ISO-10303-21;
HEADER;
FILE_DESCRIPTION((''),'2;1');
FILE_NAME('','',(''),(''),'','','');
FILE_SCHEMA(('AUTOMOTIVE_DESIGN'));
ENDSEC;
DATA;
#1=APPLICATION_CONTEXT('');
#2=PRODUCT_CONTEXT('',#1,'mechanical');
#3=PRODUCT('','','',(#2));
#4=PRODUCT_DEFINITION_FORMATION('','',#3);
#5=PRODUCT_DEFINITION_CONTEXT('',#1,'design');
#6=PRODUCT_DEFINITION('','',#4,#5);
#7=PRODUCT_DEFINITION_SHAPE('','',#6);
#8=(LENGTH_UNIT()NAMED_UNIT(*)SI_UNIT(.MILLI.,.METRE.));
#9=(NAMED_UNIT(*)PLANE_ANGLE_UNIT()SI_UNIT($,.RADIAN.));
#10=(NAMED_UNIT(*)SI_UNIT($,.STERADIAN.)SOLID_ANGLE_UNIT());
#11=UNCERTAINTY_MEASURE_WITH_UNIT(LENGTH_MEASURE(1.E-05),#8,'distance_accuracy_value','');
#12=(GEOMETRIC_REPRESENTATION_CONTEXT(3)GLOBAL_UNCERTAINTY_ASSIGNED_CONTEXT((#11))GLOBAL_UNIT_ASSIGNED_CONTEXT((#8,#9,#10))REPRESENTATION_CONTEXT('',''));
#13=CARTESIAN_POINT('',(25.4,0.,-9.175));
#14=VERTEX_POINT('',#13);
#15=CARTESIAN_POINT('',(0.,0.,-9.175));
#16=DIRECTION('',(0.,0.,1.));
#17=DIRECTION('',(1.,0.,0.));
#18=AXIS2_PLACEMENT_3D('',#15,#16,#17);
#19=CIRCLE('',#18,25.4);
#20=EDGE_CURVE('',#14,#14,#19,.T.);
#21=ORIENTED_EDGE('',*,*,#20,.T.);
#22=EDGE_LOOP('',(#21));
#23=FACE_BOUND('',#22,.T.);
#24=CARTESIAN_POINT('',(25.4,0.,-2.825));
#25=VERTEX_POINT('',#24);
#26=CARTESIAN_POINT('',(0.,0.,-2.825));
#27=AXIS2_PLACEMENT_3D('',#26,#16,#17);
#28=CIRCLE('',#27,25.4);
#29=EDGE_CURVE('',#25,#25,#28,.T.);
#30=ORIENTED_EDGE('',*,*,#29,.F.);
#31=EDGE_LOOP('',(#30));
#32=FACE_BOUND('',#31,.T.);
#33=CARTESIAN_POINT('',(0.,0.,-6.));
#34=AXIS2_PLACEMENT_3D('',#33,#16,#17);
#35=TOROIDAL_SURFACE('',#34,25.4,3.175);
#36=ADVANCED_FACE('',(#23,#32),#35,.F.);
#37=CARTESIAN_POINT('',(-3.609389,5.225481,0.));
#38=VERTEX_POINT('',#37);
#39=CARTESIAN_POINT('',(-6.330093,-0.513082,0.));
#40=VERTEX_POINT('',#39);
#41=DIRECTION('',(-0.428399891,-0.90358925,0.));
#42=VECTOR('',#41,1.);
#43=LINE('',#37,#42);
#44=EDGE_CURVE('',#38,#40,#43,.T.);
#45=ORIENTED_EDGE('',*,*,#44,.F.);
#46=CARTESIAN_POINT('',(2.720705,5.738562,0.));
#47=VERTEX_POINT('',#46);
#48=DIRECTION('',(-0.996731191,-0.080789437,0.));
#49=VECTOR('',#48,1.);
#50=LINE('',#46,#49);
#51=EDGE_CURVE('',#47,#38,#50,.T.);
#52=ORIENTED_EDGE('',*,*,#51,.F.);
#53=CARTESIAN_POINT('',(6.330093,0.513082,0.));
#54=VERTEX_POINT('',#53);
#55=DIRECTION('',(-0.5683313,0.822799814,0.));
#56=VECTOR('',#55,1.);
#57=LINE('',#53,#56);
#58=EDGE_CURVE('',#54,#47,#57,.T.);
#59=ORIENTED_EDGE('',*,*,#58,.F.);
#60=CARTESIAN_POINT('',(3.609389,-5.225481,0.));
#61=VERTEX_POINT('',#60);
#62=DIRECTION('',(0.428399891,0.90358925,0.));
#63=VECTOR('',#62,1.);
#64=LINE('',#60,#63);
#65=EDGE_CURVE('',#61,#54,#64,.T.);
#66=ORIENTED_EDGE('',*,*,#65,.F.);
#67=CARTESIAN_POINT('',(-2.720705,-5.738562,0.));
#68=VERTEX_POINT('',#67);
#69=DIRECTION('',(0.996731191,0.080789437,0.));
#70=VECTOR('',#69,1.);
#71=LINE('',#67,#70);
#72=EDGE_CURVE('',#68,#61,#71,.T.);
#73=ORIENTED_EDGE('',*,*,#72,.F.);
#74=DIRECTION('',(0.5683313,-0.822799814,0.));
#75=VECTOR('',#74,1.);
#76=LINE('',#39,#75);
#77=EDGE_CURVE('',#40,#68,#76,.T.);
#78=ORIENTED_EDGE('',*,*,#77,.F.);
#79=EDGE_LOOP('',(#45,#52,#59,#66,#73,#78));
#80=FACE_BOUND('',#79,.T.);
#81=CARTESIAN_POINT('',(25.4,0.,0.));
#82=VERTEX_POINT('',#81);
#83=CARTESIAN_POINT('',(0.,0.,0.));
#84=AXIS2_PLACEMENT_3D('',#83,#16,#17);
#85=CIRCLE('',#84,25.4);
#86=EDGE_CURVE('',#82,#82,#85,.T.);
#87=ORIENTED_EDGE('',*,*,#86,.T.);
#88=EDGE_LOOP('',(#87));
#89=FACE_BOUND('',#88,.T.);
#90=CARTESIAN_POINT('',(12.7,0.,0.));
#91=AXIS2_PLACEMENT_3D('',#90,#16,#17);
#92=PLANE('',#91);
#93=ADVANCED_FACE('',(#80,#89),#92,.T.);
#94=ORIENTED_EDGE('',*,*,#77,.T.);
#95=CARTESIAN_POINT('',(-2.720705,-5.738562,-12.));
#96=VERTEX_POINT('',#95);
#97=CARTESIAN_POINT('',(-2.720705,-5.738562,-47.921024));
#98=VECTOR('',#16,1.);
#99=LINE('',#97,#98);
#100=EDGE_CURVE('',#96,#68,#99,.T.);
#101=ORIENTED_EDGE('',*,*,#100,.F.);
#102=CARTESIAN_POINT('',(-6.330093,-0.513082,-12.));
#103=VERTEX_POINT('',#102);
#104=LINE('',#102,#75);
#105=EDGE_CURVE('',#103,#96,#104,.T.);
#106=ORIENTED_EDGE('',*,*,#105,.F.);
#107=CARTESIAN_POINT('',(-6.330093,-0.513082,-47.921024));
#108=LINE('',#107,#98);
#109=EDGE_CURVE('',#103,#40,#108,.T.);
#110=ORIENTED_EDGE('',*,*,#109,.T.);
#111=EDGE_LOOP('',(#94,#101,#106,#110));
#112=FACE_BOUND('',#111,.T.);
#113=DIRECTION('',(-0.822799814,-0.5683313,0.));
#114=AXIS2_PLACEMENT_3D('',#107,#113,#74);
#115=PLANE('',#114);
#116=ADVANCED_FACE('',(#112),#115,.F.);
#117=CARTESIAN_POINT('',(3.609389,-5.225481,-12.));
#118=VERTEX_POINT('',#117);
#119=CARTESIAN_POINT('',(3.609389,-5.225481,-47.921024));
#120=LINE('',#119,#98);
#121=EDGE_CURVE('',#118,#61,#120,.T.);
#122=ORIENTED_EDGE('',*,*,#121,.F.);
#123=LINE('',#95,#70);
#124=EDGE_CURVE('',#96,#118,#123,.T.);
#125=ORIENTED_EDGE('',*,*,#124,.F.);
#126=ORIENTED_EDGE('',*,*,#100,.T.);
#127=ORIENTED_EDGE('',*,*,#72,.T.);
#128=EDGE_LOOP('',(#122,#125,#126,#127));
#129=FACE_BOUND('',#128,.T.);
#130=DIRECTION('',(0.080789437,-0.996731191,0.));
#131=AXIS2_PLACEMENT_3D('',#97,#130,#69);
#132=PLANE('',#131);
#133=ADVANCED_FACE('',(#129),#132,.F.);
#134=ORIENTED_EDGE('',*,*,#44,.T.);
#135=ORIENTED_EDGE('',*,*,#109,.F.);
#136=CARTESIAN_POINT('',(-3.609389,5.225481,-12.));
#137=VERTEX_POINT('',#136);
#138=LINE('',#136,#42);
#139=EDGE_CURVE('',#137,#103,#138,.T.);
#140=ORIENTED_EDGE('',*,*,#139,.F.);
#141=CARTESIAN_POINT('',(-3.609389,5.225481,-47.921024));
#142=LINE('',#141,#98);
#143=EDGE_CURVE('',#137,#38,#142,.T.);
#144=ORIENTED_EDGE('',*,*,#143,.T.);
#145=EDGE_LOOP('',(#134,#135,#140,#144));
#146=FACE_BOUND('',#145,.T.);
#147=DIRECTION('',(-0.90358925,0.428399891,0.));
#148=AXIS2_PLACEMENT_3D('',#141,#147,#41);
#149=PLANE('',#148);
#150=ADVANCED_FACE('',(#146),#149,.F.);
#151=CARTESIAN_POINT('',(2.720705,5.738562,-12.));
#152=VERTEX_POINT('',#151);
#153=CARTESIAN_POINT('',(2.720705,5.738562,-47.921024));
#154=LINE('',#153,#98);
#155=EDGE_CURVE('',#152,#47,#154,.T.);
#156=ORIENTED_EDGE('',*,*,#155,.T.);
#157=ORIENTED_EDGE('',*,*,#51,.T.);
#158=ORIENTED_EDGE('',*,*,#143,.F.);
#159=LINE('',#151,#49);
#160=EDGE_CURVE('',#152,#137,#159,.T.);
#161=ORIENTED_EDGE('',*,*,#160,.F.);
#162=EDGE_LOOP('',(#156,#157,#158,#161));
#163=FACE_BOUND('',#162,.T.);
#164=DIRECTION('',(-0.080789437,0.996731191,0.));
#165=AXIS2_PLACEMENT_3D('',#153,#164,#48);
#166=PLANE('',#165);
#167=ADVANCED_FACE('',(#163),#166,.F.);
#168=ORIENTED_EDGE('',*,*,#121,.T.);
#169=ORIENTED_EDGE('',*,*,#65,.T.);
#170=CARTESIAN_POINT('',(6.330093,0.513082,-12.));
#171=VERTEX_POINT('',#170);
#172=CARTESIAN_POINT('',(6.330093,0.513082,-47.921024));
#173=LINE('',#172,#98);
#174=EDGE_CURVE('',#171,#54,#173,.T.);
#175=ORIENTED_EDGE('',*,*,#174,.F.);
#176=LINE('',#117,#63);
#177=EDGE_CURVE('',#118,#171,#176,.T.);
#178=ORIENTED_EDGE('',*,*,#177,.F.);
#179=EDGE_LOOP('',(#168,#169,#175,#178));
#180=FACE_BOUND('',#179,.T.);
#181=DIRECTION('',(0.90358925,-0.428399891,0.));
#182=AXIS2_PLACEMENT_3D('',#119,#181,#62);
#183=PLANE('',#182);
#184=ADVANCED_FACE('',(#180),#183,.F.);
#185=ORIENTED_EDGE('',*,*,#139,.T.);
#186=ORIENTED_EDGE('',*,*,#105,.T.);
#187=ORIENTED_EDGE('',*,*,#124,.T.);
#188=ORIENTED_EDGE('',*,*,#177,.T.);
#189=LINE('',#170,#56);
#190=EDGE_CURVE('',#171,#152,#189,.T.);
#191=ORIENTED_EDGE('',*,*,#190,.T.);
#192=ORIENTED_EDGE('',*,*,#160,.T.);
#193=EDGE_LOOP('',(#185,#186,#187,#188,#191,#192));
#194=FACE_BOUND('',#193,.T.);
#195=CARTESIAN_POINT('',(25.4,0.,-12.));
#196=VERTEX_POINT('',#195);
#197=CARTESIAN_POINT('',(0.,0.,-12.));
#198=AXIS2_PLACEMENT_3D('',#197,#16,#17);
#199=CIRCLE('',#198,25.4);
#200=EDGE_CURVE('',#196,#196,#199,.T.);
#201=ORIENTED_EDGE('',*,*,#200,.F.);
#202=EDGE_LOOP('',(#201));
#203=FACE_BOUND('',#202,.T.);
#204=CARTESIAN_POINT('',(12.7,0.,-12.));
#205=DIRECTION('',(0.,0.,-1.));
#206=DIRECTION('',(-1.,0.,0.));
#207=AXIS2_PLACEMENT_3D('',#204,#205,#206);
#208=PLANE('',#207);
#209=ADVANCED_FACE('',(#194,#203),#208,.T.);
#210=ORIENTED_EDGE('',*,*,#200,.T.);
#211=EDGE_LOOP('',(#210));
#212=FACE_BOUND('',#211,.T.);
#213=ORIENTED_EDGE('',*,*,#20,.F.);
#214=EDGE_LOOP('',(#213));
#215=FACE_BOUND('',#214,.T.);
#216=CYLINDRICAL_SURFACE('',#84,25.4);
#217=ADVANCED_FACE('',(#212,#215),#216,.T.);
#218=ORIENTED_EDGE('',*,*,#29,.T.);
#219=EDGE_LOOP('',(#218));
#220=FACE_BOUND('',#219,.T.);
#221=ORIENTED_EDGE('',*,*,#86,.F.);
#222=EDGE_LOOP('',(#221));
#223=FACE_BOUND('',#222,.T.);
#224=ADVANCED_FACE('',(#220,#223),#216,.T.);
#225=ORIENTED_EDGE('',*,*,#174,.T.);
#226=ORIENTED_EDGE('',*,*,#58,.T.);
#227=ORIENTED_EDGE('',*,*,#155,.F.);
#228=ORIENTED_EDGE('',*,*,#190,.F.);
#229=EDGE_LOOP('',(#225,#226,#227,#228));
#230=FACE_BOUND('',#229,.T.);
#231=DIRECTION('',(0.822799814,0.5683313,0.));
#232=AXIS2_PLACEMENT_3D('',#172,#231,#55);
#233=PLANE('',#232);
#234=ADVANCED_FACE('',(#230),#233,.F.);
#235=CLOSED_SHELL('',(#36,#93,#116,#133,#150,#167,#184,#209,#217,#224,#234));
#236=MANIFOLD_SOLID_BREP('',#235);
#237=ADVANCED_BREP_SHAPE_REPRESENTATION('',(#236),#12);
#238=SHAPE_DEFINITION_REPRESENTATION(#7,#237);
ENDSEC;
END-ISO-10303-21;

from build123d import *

# Parameters (mm, degrees)
SKETCH2_R           = 12.7
BOSS_EXTRUDE1_DEPTH = 12


with BuildPart() as part:
    # Sketch1 → Revolve1 (revolve)
    with BuildSketch(Plane(origin=(0, 0, 0), x_dir=(1, 0, 0), z_dir=(0, 1, 0))):
        with BuildLine():
            Line((12.7, 0), (25.4, 0))
            Line((25.4, 0), (25.4, 2.825))
            ThreePointArc((25.4, 2.825), (22.225, 6), (25.4, 9.175))
            Line((25.4, 9.175), (25.4, 12))
            Line((25.4, 12), (12.7, 12))
            Line((12.7, 12), (12.7, 0))
        make_face()
    revolve(axis=Axis((0, 0, 0), (0, 0, -1)))

    # Sketch2 → Boss-Extrude1 (add)
    with BuildSketch(Plane.XY):
        Circle(SKETCH2_R)
        Polygon((3.609388519, -5.225480634), (6.330093235, 0.513081832), (2.720704717, 5.738562466), (-3.609388519, 5.225480634), (-6.330093235, -0.513081832), (-2.720704717, -5.738562466), align=None, mode=Mode.SUBTRACT)
    extrude(amount=-BOSS_EXTRUDE1_DEPTH)


solid = part.part
